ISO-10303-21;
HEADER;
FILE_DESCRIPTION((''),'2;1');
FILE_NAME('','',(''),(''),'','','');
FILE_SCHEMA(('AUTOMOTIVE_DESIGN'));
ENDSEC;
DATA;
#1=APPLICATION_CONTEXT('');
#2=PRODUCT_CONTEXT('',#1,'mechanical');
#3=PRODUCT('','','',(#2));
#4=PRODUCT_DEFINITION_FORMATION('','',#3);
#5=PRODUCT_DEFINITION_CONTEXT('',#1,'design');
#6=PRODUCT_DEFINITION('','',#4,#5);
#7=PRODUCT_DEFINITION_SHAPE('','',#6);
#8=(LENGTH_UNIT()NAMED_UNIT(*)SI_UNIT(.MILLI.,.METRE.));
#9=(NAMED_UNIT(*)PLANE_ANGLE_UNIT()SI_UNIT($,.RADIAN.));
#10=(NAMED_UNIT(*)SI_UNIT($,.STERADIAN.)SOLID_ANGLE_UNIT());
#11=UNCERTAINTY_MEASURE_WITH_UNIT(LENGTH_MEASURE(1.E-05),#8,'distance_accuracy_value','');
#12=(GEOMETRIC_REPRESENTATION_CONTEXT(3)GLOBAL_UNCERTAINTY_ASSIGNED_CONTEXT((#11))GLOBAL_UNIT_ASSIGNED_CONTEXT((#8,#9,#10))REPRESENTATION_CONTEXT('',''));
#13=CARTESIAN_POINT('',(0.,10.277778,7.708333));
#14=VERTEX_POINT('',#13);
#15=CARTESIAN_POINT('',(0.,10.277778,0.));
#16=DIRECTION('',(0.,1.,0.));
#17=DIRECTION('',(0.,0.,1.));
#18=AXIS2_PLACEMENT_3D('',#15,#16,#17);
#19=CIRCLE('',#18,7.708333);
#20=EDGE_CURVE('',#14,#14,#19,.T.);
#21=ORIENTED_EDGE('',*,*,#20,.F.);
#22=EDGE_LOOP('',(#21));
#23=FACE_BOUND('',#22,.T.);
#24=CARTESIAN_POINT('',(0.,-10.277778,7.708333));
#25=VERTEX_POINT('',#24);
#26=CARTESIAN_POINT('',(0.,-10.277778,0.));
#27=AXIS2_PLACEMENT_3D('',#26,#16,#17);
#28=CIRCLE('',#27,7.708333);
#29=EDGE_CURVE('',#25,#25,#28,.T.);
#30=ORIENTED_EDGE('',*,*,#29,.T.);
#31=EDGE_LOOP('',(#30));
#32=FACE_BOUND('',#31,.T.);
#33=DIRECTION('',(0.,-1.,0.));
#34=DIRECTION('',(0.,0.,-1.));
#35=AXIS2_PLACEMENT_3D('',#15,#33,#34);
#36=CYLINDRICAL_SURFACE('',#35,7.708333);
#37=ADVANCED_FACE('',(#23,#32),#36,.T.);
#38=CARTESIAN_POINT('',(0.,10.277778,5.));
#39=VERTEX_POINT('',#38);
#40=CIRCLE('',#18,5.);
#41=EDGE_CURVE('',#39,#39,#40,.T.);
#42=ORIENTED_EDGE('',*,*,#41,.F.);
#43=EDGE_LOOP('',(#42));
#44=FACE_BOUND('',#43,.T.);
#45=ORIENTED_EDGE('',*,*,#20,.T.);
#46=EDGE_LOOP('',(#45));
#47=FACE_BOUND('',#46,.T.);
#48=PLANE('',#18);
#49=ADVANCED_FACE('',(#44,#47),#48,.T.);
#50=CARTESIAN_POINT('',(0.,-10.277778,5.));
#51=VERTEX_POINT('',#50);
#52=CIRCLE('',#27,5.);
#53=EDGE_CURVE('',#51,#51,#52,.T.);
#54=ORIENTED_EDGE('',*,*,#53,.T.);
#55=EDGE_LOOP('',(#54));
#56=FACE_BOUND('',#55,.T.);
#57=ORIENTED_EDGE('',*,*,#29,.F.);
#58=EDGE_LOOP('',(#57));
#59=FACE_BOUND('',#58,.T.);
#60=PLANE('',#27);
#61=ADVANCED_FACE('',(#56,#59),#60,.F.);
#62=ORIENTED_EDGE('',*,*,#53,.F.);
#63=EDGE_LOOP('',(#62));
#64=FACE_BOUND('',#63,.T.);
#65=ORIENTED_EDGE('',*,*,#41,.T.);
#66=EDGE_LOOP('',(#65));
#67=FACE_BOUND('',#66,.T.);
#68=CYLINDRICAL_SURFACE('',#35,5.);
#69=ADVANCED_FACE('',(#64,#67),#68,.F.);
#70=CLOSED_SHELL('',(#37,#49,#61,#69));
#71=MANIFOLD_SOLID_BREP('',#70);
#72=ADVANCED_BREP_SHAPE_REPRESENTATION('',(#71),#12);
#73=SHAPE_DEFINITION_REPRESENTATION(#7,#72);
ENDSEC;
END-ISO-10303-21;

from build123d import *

# Parameters (mm, degrees)
SKETCH1_R           = 7.708333333
SKETCH1_R_2         = 5
BOSS_EXTRUDE3_DEPTH = 10.277777778


with BuildPart() as part:
    # Sketch1 → Boss-Extrude3 (new, symmetric)
    with BuildSketch(Plane(origin=(0, 0, 0), x_dir=(1, 0, 0), z_dir=(0, 1, 0))):
        with Locations(Location((0, 0, 0), (0, 0, 270))):
            Circle(SKETCH1_R)
        with Locations(Location((0, 0, 0), (0, 0, 270))):
            Circle(SKETCH1_R_2, mode=Mode.SUBTRACT)
    extrude(amount=BOSS_EXTRUDE3_DEPTH, both=True)


solid = part.part
